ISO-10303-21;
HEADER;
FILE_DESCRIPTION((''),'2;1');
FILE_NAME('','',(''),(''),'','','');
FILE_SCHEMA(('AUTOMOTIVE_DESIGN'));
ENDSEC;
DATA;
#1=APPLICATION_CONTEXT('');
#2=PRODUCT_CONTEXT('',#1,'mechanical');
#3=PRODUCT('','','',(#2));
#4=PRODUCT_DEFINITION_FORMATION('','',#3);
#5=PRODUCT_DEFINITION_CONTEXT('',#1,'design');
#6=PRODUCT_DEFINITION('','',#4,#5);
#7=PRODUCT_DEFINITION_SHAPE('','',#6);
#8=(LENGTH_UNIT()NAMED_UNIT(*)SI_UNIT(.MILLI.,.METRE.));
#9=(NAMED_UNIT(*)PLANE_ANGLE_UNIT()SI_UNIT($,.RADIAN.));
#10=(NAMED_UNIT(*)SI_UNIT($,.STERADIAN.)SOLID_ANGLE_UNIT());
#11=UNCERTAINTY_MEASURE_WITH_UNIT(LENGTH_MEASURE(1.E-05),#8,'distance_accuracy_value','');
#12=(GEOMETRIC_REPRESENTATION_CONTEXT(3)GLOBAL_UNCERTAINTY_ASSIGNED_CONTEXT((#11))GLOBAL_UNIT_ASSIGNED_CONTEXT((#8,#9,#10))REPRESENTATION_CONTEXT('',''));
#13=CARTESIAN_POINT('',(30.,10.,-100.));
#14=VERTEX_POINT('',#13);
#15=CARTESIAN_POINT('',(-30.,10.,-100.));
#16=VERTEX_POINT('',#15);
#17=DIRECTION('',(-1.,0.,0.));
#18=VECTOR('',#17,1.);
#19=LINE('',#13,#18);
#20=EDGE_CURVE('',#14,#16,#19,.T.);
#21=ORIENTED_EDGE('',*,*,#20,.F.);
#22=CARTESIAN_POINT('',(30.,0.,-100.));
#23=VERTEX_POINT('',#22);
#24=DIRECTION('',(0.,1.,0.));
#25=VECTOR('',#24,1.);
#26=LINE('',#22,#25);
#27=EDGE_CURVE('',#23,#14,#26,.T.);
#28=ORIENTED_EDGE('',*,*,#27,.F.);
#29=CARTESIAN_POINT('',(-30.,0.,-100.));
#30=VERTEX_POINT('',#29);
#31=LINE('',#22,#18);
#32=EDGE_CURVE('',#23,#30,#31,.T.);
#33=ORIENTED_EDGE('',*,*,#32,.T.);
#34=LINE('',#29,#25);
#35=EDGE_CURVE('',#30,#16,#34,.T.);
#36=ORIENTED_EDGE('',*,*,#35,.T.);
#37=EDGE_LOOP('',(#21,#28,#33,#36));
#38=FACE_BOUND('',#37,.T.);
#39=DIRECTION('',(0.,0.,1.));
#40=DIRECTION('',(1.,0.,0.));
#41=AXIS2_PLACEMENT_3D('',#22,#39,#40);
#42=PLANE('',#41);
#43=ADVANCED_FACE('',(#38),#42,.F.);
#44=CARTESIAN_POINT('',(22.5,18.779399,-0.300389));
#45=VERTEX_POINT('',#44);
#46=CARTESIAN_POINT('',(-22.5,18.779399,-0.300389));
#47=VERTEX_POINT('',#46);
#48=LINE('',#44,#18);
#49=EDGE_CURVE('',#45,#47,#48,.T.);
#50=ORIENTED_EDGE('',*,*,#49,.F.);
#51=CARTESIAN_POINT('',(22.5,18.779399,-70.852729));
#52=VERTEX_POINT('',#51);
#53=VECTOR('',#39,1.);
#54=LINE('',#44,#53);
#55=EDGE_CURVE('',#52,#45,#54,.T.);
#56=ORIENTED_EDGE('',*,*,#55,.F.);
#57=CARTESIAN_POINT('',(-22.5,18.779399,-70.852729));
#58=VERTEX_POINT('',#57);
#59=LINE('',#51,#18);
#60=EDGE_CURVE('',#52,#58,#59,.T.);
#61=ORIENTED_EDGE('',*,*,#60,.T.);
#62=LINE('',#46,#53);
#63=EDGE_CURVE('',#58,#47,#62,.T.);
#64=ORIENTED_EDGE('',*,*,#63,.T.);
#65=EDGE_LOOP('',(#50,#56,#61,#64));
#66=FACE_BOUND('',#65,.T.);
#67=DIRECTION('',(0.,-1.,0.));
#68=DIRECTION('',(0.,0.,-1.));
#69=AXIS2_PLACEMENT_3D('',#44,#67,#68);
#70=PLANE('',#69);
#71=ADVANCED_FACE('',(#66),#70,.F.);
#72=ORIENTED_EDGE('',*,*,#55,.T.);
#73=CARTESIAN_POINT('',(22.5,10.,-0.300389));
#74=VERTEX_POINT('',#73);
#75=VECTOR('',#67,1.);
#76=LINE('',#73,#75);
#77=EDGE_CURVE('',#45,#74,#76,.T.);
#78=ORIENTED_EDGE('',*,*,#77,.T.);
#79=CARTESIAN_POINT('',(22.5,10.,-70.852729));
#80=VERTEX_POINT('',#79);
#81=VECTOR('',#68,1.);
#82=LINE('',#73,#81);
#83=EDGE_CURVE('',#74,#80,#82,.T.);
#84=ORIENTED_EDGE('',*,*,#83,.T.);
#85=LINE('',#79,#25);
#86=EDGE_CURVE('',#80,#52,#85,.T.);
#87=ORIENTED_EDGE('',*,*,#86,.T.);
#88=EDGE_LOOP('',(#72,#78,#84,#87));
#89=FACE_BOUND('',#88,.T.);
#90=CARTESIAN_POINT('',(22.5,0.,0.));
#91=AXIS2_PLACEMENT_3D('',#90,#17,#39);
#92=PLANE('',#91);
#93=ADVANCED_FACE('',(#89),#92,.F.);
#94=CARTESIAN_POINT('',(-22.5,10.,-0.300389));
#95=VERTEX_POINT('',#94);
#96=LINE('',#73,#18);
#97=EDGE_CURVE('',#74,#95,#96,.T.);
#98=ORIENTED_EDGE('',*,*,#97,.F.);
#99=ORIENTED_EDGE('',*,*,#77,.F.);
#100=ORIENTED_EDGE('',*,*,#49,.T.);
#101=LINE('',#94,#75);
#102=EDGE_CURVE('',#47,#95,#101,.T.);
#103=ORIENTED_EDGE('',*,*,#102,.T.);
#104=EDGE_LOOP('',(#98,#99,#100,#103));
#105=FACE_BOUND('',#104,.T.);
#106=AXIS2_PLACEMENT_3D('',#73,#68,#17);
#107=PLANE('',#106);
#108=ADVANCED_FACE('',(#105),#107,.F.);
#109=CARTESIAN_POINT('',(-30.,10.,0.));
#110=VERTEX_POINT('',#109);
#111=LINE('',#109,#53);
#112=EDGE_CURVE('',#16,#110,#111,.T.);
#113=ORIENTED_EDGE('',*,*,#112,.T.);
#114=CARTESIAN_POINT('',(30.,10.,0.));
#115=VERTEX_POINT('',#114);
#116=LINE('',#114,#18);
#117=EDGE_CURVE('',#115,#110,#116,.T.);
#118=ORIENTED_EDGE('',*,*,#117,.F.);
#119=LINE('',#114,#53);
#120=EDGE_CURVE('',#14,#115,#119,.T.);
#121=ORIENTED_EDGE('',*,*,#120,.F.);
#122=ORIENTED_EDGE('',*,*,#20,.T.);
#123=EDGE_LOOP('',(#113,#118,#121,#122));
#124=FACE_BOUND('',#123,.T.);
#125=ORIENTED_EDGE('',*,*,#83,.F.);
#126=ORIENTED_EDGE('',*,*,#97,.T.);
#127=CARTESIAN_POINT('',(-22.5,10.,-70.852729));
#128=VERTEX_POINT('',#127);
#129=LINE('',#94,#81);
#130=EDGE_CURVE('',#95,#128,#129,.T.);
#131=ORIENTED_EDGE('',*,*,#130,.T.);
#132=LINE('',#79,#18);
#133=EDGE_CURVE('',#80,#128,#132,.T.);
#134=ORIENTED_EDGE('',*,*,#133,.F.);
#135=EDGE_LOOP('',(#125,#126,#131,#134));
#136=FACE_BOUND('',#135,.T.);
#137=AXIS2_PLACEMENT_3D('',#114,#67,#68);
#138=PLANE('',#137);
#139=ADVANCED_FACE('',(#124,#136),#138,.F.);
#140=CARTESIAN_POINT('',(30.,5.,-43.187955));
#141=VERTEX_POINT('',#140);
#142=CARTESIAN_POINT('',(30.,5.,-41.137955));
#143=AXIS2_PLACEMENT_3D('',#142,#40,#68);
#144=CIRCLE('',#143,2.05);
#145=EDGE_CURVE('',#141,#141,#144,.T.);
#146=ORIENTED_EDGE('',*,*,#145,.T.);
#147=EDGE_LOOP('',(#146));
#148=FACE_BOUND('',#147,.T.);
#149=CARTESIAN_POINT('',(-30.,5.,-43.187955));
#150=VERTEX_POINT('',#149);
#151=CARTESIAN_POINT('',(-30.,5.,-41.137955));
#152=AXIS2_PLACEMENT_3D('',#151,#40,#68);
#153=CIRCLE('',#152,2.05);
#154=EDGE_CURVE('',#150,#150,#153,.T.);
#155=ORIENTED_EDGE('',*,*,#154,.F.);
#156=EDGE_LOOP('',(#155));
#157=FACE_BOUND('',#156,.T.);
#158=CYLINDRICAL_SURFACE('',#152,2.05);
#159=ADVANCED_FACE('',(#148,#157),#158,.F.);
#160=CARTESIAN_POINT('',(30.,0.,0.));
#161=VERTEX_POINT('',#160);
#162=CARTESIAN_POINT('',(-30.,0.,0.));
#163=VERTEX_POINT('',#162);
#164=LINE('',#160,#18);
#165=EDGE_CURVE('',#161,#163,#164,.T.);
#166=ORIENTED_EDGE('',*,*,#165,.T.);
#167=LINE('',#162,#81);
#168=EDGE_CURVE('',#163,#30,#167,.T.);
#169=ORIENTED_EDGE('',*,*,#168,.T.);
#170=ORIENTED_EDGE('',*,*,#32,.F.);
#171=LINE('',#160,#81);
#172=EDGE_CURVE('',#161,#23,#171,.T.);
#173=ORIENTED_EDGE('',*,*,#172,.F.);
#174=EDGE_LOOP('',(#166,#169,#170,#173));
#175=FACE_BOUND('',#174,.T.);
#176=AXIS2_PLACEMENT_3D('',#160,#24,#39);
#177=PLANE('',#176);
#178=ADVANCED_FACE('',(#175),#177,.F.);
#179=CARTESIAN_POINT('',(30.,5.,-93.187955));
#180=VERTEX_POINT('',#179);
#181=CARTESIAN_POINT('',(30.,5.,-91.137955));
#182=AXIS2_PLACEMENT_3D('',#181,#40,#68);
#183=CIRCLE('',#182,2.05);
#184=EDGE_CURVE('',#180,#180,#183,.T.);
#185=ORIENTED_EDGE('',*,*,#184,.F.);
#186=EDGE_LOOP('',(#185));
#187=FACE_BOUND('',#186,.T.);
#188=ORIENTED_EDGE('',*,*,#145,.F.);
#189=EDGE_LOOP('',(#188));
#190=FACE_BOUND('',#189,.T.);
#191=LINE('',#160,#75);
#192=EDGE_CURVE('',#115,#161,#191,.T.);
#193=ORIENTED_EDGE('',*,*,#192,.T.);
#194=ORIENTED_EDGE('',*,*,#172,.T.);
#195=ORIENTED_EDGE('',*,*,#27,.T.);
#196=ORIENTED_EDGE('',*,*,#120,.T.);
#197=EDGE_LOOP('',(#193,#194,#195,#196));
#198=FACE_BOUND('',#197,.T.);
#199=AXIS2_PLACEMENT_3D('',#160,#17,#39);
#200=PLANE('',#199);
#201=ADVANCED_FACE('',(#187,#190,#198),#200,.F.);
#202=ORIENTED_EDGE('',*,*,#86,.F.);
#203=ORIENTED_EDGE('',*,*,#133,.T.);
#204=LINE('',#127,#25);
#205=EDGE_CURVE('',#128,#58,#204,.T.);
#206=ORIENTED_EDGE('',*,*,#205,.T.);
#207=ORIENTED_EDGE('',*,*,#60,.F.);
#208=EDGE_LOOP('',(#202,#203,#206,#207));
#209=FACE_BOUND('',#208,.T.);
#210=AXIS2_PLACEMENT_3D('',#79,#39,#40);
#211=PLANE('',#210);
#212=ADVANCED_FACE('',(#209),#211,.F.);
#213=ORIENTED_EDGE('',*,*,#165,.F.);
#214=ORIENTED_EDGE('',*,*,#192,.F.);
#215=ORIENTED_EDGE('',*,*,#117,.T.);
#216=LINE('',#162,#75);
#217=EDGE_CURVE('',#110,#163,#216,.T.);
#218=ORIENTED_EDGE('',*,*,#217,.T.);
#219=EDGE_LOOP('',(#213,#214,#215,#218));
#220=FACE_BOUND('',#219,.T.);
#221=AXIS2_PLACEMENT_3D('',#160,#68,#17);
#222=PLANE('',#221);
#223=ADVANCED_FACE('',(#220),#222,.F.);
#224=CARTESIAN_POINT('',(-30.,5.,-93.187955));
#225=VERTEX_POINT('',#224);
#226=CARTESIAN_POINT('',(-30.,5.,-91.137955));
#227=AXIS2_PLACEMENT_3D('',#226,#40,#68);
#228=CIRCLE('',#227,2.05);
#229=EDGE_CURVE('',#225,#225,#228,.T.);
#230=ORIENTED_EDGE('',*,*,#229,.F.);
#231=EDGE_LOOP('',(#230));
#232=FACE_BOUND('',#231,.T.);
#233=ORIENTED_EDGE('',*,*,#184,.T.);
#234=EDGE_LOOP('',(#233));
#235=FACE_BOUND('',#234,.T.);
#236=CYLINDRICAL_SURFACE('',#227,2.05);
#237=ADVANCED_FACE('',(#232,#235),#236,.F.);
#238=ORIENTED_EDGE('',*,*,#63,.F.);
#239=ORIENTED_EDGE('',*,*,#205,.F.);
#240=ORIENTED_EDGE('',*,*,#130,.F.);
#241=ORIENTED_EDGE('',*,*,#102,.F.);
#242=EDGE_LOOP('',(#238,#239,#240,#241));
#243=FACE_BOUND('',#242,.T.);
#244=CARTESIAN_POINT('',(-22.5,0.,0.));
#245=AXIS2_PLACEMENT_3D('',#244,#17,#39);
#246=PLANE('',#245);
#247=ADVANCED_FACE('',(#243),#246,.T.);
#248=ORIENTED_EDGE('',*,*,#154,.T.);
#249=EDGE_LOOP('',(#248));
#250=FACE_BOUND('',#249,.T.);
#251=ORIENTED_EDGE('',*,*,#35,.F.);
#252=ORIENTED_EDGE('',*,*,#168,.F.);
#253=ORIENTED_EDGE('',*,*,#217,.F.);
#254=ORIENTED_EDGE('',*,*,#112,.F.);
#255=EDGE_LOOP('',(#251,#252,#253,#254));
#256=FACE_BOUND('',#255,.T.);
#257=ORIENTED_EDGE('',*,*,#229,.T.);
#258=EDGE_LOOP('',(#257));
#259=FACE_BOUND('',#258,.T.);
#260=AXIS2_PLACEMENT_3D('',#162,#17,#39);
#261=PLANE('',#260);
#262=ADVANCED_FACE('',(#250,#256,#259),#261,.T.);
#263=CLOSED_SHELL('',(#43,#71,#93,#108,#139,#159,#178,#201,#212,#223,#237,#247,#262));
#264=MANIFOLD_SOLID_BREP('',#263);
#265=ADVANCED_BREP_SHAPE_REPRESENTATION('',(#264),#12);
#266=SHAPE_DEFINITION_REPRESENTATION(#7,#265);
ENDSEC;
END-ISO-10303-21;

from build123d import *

# Parameters (mm, degrees)
SKETCH_1_W               = 100
SKETCH_1_H               = 10
EXTRUDE_1_DEPTH          = 30
CUT_EXTRUDE_1_DEPTH      = 105.880884817
CUT_EXTRUDE_1_DEPTH_BACK = 105.880884817
SKETCH_2_R               = 2.05
SKETCH_4_W               = 70.552340153
SKETCH_4_H               = 8.779398974
EXTRUDE_2_DEPTH          = 22.5


with BuildPart() as part:
    # 스케치1 → 보스-돌출1 (new, symmetric)
    with BuildSketch(Plane(origin=(0, 0, 0), x_dir=(0, 0, -1), z_dir=(1, 0, 0))):
        with Locations((50, 5)):
            Rectangle(SKETCH_1_W, SKETCH_1_H)
    extrude(amount=EXTRUDE_1_DEPTH, both=True)

    # 스케치2 → 컷-돌출1 (cut, two sides: drawn at the far end of the back side and taken through both)
    with BuildSketch(Plane(origin=(0, 0, 0), x_dir=(0, 0, -1), z_dir=(1, 0, 0)).offset(-CUT_EXTRUDE_1_DEPTH_BACK)):
        with Locations((41.137955169, 5)):
            Circle(SKETCH_2_R)
        with Locations((91.137955169, 5)):
            Circle(SKETCH_2_R)
    extrude(amount=CUT_EXTRUDE_1_DEPTH + CUT_EXTRUDE_1_DEPTH_BACK, mode=Mode.SUBTRACT)

    # 스케치4 → 보스-돌출2 (add, symmetric)
    with BuildSketch(Plane(origin=(0, 0, 0), x_dir=(0, 0, -1), z_dir=(1, 0, 0))):
        with Locations((35.576558904, 14.389699487)):
            Rectangle(SKETCH_4_W, SKETCH_4_H)
    extrude(amount=EXTRUDE_2_DEPTH, both=True)


solid = part.part
